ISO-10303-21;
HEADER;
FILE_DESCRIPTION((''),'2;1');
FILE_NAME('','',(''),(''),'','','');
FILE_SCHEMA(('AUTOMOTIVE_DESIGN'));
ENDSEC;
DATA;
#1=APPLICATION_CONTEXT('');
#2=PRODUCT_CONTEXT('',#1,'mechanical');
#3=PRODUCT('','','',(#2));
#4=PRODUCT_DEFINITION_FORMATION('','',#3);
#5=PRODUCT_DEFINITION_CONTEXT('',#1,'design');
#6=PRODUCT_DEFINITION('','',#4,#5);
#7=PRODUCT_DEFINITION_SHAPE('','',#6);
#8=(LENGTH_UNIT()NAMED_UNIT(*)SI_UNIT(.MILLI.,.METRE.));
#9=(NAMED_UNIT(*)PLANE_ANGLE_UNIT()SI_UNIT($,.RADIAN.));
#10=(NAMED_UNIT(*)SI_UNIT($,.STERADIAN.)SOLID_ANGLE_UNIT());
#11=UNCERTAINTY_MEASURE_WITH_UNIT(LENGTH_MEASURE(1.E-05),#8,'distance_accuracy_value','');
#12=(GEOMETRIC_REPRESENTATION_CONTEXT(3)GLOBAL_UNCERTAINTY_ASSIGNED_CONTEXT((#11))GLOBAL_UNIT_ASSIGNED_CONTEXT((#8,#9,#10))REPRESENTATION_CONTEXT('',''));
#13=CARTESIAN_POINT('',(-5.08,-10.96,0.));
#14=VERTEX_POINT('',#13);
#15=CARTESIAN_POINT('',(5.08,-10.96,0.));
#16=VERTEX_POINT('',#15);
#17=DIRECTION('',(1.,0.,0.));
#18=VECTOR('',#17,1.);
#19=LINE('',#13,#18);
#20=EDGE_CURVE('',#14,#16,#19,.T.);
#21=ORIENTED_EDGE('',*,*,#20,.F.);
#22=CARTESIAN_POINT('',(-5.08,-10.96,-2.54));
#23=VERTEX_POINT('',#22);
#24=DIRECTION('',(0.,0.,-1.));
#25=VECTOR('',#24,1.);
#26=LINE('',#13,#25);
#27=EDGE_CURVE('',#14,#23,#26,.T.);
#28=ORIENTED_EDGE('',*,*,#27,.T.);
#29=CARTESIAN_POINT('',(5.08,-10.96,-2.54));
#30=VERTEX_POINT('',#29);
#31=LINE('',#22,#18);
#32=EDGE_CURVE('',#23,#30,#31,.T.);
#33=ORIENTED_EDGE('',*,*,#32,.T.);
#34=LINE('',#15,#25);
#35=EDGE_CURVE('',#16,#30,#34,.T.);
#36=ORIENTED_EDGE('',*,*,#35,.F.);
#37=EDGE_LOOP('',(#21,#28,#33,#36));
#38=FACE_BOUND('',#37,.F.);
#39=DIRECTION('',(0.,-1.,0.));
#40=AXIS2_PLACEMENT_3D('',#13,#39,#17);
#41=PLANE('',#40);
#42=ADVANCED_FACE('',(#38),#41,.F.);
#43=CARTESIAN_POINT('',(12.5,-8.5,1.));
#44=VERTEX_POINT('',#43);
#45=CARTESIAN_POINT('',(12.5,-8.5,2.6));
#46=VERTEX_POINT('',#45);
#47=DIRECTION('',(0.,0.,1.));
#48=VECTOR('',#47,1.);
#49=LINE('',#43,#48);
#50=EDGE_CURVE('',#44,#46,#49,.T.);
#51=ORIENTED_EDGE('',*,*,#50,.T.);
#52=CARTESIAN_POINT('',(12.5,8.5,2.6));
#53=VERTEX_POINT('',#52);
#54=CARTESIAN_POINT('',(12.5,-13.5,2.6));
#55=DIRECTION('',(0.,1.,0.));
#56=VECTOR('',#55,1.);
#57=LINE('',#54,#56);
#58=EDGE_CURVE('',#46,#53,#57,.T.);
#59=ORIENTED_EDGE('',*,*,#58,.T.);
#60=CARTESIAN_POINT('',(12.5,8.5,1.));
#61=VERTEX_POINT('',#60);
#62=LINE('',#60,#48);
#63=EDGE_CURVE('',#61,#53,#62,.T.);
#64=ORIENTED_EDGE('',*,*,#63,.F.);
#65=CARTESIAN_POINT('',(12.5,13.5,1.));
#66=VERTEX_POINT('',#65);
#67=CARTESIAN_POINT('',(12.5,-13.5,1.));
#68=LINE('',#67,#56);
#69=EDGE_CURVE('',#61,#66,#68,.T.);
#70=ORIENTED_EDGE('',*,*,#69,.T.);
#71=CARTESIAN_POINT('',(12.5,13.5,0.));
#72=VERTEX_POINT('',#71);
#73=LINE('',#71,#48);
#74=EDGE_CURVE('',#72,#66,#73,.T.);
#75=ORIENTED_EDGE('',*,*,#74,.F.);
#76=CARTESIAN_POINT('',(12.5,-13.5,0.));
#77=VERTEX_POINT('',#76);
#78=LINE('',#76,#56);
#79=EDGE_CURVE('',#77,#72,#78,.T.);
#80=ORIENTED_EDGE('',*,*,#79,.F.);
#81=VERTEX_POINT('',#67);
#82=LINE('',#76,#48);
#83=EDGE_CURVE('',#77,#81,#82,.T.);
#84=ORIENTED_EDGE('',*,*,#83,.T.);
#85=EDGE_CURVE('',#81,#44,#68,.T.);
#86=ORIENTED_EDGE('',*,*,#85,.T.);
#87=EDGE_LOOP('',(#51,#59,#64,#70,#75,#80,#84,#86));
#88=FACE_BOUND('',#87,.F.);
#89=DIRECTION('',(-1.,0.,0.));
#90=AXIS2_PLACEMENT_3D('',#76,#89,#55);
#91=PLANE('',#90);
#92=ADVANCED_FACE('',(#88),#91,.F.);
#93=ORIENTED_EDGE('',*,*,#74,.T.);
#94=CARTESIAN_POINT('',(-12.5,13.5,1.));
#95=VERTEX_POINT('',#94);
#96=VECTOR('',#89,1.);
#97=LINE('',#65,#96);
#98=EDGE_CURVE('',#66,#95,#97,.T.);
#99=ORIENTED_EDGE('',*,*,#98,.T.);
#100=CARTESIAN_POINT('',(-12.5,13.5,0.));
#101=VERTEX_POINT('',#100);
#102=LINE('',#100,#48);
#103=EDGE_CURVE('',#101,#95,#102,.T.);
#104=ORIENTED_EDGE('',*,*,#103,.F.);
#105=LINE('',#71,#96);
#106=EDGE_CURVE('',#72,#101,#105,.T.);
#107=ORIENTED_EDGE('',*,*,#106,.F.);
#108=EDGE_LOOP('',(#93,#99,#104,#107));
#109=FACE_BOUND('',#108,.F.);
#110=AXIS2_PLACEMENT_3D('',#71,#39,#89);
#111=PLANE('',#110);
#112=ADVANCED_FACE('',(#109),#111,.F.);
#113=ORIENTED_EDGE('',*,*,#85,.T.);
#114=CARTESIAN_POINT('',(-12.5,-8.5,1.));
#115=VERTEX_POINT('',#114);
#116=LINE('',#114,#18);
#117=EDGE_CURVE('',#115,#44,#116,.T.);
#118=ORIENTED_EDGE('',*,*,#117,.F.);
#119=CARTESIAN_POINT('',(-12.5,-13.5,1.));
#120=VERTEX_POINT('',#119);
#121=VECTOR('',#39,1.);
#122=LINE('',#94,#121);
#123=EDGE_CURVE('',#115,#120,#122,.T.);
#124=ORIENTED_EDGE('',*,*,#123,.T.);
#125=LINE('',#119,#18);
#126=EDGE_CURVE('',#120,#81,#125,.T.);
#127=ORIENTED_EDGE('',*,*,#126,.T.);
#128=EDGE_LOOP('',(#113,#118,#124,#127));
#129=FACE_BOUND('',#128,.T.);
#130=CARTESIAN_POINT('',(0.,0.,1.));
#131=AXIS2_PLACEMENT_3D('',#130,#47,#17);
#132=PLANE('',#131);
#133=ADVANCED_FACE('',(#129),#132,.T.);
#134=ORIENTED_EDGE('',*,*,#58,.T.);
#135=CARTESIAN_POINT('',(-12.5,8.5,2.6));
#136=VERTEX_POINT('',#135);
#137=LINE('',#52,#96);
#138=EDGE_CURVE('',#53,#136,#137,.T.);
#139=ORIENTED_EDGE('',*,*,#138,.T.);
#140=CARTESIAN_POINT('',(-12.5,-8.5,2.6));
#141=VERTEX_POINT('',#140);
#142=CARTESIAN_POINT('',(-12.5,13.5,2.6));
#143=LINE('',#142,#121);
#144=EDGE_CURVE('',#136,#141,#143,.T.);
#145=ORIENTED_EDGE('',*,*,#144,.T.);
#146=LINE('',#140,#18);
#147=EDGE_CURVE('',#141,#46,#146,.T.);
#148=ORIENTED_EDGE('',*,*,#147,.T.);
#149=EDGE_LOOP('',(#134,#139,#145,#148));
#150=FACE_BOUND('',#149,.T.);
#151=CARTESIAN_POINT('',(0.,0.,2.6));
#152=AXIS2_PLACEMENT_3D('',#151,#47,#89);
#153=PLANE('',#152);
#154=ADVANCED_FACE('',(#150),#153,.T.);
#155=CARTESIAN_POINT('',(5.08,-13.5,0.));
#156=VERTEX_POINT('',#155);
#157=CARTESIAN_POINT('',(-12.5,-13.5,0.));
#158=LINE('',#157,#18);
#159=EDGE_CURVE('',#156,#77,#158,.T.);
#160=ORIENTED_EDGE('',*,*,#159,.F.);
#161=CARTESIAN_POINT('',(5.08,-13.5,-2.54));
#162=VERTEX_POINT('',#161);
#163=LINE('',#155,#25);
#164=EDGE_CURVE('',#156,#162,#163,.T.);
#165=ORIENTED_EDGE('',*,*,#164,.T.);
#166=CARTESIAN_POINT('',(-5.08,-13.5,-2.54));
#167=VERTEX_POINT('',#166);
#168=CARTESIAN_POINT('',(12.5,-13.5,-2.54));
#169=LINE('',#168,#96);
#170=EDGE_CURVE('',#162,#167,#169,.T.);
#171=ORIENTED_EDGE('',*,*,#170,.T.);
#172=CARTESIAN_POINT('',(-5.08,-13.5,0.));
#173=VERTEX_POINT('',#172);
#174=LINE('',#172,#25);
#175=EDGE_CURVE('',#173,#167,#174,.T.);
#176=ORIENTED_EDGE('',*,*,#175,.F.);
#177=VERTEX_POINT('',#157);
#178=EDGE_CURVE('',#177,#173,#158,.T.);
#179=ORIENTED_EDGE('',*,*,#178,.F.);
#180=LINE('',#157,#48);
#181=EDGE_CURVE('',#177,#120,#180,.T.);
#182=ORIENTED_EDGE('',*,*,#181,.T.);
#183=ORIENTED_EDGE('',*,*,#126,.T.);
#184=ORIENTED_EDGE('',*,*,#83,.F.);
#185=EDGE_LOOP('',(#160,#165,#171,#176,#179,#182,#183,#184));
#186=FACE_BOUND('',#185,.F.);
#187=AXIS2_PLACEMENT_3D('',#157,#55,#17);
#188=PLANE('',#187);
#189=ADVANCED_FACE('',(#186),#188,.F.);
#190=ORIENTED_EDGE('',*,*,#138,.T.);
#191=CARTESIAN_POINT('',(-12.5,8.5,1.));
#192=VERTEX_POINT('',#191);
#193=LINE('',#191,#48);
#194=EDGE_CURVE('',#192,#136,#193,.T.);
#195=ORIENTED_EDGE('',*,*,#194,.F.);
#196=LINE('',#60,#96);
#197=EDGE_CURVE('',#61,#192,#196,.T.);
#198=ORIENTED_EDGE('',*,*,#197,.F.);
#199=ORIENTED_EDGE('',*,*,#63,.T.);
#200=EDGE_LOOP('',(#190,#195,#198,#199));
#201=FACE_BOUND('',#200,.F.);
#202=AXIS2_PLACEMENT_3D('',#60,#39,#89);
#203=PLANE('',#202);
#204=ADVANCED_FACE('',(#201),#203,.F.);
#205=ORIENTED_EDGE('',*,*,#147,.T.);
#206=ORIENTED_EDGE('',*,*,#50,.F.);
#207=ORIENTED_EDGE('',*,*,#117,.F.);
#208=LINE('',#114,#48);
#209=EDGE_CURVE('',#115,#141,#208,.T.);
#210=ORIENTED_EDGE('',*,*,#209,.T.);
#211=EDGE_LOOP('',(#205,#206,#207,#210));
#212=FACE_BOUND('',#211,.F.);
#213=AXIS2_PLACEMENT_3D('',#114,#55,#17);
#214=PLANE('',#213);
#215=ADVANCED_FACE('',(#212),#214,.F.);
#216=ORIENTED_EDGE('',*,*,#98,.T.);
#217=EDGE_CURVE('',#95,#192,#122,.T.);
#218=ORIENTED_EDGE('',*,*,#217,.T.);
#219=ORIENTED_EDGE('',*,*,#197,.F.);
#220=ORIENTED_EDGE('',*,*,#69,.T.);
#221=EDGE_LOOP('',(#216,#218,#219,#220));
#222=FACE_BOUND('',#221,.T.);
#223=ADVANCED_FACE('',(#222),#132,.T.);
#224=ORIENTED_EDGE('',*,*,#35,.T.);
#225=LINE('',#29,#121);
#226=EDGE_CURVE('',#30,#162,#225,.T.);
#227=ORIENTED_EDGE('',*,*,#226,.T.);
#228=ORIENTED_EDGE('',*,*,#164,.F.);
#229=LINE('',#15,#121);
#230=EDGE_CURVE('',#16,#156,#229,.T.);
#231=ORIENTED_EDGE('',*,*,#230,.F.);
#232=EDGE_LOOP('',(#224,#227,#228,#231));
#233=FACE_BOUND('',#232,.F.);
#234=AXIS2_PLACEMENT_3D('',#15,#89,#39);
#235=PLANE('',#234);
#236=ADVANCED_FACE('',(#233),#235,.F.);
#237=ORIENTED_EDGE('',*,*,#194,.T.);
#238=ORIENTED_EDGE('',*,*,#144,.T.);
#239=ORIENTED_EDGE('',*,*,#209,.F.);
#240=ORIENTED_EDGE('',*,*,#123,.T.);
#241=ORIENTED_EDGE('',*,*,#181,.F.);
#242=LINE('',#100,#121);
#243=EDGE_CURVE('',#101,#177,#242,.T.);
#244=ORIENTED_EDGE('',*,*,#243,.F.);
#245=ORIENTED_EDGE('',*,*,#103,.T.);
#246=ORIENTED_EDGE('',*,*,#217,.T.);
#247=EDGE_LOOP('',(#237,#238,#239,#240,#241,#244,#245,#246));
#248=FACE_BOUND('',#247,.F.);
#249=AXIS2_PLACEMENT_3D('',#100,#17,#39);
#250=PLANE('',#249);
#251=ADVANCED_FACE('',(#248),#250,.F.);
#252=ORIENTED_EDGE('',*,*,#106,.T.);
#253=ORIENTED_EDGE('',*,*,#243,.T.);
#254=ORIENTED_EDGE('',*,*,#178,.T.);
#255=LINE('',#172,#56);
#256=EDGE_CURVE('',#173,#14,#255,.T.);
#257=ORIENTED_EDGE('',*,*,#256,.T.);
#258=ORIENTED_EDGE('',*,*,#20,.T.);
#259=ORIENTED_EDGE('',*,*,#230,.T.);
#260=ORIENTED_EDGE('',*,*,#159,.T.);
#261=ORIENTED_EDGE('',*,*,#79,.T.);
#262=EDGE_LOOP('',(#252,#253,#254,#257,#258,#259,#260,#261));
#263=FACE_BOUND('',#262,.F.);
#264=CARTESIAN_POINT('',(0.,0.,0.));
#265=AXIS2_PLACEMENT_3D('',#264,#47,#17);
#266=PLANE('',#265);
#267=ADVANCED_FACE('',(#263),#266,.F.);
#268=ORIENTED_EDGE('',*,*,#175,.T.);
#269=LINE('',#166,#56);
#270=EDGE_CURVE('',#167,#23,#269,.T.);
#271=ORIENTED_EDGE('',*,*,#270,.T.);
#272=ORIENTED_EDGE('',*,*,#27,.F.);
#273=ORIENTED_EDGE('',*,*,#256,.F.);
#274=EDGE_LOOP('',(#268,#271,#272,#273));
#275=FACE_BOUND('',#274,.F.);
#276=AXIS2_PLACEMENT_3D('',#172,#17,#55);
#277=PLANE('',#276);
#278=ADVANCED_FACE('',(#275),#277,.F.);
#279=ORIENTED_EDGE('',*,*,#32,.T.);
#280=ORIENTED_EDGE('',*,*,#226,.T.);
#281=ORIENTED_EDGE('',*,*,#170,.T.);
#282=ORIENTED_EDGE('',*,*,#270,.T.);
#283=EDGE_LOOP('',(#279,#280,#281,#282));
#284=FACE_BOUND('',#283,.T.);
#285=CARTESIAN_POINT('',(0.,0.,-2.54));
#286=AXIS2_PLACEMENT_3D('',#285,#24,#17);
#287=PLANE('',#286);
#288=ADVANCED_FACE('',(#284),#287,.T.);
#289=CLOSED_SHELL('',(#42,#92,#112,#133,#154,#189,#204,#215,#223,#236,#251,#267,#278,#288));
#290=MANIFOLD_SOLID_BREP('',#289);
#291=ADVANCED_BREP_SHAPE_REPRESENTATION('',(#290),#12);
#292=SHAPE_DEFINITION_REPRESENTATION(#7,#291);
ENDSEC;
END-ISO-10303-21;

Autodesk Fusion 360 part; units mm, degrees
sketch "Sketch1" plane through (0, 0, 0) normal (0, 0, 1) x (1, 0, 0)
  line L0 (12.5, 13.5) -> (-12.5, 13.5)
  line L1 (-12.5, 13.5) -> (-12.5, -13.5)
  line L2 (-12.5, -13.5) -> (12.5, -13.5)
  line L3 (12.5, -13.5) -> (12.5, 13.5)
  line L4 (12.5, -13.5) -> (-12.5, 13.5) construction
  dimension "d1" = 25
  dimension "d2" = 27
extrude "Extrude1" add sketch "Sketch1" along normal blind 1
sketch "Sketch2" plane through (0, 0, 0) normal (0, 0, -1) x (1, 0, 0)
  line L0 (12.5, -13.5) -> (12.5, 13.5)
  line L1 (12.5, 13.5) -> (-12.5, 13.5)
  line L2 (-12.5, 13.5) -> (-12.5, -13.5)
  line L3 (-12.5, -13.5) -> (12.5, -13.5)
  line L4 (-5.08, 10.96) -> (5.08, 10.96)
  line L5 (5.08, 10.96) -> (5.08, 13.5)
  line L6 (5.08, 13.5) -> (-5.08, 13.5)
  line L7 (-5.08, 13.5) -> (-5.08, 10.96)
  dimension "d5" = 2.54
  dimension "d6" = 10.16
extrude "Extrude2" add sketch "Sketch2" along normal blind 2.54 contours L1 L4 L5 L6 L7
sketch "Sketch3" plane through (0, 0, 1) normal (0, 0, 1) x (-1, 0, 0)
  line L0 (-12.5, 13.5) -> (-12.5, -13.5)
  line L1 (-12.5, -13.5) -> (12.5, -13.5)
  line L2 (12.5, -13.5) -> (12.5, 13.5)
  line L3 (12.5, 13.5) -> (-12.5, 13.5)
  line L4 (12.5, 8.5) -> (-12.5, 8.5)
  line L5 (-12.5, 8.5) -> (-12.5, -8.5)
  line L6 (-12.5, -8.5) -> (12.5, -8.5)
  line L7 (12.5, -8.5) -> (12.5, 8.5)
  line L8 (0, 8.5) -> (0, 13.5) construction
  dimension "d9" = 17
  dimension "d10" = 5
extrude "Extrude3" add sketch "Sketch3" along normal blind 1.6 contours L0 L2 L4 L5 L6 L7
